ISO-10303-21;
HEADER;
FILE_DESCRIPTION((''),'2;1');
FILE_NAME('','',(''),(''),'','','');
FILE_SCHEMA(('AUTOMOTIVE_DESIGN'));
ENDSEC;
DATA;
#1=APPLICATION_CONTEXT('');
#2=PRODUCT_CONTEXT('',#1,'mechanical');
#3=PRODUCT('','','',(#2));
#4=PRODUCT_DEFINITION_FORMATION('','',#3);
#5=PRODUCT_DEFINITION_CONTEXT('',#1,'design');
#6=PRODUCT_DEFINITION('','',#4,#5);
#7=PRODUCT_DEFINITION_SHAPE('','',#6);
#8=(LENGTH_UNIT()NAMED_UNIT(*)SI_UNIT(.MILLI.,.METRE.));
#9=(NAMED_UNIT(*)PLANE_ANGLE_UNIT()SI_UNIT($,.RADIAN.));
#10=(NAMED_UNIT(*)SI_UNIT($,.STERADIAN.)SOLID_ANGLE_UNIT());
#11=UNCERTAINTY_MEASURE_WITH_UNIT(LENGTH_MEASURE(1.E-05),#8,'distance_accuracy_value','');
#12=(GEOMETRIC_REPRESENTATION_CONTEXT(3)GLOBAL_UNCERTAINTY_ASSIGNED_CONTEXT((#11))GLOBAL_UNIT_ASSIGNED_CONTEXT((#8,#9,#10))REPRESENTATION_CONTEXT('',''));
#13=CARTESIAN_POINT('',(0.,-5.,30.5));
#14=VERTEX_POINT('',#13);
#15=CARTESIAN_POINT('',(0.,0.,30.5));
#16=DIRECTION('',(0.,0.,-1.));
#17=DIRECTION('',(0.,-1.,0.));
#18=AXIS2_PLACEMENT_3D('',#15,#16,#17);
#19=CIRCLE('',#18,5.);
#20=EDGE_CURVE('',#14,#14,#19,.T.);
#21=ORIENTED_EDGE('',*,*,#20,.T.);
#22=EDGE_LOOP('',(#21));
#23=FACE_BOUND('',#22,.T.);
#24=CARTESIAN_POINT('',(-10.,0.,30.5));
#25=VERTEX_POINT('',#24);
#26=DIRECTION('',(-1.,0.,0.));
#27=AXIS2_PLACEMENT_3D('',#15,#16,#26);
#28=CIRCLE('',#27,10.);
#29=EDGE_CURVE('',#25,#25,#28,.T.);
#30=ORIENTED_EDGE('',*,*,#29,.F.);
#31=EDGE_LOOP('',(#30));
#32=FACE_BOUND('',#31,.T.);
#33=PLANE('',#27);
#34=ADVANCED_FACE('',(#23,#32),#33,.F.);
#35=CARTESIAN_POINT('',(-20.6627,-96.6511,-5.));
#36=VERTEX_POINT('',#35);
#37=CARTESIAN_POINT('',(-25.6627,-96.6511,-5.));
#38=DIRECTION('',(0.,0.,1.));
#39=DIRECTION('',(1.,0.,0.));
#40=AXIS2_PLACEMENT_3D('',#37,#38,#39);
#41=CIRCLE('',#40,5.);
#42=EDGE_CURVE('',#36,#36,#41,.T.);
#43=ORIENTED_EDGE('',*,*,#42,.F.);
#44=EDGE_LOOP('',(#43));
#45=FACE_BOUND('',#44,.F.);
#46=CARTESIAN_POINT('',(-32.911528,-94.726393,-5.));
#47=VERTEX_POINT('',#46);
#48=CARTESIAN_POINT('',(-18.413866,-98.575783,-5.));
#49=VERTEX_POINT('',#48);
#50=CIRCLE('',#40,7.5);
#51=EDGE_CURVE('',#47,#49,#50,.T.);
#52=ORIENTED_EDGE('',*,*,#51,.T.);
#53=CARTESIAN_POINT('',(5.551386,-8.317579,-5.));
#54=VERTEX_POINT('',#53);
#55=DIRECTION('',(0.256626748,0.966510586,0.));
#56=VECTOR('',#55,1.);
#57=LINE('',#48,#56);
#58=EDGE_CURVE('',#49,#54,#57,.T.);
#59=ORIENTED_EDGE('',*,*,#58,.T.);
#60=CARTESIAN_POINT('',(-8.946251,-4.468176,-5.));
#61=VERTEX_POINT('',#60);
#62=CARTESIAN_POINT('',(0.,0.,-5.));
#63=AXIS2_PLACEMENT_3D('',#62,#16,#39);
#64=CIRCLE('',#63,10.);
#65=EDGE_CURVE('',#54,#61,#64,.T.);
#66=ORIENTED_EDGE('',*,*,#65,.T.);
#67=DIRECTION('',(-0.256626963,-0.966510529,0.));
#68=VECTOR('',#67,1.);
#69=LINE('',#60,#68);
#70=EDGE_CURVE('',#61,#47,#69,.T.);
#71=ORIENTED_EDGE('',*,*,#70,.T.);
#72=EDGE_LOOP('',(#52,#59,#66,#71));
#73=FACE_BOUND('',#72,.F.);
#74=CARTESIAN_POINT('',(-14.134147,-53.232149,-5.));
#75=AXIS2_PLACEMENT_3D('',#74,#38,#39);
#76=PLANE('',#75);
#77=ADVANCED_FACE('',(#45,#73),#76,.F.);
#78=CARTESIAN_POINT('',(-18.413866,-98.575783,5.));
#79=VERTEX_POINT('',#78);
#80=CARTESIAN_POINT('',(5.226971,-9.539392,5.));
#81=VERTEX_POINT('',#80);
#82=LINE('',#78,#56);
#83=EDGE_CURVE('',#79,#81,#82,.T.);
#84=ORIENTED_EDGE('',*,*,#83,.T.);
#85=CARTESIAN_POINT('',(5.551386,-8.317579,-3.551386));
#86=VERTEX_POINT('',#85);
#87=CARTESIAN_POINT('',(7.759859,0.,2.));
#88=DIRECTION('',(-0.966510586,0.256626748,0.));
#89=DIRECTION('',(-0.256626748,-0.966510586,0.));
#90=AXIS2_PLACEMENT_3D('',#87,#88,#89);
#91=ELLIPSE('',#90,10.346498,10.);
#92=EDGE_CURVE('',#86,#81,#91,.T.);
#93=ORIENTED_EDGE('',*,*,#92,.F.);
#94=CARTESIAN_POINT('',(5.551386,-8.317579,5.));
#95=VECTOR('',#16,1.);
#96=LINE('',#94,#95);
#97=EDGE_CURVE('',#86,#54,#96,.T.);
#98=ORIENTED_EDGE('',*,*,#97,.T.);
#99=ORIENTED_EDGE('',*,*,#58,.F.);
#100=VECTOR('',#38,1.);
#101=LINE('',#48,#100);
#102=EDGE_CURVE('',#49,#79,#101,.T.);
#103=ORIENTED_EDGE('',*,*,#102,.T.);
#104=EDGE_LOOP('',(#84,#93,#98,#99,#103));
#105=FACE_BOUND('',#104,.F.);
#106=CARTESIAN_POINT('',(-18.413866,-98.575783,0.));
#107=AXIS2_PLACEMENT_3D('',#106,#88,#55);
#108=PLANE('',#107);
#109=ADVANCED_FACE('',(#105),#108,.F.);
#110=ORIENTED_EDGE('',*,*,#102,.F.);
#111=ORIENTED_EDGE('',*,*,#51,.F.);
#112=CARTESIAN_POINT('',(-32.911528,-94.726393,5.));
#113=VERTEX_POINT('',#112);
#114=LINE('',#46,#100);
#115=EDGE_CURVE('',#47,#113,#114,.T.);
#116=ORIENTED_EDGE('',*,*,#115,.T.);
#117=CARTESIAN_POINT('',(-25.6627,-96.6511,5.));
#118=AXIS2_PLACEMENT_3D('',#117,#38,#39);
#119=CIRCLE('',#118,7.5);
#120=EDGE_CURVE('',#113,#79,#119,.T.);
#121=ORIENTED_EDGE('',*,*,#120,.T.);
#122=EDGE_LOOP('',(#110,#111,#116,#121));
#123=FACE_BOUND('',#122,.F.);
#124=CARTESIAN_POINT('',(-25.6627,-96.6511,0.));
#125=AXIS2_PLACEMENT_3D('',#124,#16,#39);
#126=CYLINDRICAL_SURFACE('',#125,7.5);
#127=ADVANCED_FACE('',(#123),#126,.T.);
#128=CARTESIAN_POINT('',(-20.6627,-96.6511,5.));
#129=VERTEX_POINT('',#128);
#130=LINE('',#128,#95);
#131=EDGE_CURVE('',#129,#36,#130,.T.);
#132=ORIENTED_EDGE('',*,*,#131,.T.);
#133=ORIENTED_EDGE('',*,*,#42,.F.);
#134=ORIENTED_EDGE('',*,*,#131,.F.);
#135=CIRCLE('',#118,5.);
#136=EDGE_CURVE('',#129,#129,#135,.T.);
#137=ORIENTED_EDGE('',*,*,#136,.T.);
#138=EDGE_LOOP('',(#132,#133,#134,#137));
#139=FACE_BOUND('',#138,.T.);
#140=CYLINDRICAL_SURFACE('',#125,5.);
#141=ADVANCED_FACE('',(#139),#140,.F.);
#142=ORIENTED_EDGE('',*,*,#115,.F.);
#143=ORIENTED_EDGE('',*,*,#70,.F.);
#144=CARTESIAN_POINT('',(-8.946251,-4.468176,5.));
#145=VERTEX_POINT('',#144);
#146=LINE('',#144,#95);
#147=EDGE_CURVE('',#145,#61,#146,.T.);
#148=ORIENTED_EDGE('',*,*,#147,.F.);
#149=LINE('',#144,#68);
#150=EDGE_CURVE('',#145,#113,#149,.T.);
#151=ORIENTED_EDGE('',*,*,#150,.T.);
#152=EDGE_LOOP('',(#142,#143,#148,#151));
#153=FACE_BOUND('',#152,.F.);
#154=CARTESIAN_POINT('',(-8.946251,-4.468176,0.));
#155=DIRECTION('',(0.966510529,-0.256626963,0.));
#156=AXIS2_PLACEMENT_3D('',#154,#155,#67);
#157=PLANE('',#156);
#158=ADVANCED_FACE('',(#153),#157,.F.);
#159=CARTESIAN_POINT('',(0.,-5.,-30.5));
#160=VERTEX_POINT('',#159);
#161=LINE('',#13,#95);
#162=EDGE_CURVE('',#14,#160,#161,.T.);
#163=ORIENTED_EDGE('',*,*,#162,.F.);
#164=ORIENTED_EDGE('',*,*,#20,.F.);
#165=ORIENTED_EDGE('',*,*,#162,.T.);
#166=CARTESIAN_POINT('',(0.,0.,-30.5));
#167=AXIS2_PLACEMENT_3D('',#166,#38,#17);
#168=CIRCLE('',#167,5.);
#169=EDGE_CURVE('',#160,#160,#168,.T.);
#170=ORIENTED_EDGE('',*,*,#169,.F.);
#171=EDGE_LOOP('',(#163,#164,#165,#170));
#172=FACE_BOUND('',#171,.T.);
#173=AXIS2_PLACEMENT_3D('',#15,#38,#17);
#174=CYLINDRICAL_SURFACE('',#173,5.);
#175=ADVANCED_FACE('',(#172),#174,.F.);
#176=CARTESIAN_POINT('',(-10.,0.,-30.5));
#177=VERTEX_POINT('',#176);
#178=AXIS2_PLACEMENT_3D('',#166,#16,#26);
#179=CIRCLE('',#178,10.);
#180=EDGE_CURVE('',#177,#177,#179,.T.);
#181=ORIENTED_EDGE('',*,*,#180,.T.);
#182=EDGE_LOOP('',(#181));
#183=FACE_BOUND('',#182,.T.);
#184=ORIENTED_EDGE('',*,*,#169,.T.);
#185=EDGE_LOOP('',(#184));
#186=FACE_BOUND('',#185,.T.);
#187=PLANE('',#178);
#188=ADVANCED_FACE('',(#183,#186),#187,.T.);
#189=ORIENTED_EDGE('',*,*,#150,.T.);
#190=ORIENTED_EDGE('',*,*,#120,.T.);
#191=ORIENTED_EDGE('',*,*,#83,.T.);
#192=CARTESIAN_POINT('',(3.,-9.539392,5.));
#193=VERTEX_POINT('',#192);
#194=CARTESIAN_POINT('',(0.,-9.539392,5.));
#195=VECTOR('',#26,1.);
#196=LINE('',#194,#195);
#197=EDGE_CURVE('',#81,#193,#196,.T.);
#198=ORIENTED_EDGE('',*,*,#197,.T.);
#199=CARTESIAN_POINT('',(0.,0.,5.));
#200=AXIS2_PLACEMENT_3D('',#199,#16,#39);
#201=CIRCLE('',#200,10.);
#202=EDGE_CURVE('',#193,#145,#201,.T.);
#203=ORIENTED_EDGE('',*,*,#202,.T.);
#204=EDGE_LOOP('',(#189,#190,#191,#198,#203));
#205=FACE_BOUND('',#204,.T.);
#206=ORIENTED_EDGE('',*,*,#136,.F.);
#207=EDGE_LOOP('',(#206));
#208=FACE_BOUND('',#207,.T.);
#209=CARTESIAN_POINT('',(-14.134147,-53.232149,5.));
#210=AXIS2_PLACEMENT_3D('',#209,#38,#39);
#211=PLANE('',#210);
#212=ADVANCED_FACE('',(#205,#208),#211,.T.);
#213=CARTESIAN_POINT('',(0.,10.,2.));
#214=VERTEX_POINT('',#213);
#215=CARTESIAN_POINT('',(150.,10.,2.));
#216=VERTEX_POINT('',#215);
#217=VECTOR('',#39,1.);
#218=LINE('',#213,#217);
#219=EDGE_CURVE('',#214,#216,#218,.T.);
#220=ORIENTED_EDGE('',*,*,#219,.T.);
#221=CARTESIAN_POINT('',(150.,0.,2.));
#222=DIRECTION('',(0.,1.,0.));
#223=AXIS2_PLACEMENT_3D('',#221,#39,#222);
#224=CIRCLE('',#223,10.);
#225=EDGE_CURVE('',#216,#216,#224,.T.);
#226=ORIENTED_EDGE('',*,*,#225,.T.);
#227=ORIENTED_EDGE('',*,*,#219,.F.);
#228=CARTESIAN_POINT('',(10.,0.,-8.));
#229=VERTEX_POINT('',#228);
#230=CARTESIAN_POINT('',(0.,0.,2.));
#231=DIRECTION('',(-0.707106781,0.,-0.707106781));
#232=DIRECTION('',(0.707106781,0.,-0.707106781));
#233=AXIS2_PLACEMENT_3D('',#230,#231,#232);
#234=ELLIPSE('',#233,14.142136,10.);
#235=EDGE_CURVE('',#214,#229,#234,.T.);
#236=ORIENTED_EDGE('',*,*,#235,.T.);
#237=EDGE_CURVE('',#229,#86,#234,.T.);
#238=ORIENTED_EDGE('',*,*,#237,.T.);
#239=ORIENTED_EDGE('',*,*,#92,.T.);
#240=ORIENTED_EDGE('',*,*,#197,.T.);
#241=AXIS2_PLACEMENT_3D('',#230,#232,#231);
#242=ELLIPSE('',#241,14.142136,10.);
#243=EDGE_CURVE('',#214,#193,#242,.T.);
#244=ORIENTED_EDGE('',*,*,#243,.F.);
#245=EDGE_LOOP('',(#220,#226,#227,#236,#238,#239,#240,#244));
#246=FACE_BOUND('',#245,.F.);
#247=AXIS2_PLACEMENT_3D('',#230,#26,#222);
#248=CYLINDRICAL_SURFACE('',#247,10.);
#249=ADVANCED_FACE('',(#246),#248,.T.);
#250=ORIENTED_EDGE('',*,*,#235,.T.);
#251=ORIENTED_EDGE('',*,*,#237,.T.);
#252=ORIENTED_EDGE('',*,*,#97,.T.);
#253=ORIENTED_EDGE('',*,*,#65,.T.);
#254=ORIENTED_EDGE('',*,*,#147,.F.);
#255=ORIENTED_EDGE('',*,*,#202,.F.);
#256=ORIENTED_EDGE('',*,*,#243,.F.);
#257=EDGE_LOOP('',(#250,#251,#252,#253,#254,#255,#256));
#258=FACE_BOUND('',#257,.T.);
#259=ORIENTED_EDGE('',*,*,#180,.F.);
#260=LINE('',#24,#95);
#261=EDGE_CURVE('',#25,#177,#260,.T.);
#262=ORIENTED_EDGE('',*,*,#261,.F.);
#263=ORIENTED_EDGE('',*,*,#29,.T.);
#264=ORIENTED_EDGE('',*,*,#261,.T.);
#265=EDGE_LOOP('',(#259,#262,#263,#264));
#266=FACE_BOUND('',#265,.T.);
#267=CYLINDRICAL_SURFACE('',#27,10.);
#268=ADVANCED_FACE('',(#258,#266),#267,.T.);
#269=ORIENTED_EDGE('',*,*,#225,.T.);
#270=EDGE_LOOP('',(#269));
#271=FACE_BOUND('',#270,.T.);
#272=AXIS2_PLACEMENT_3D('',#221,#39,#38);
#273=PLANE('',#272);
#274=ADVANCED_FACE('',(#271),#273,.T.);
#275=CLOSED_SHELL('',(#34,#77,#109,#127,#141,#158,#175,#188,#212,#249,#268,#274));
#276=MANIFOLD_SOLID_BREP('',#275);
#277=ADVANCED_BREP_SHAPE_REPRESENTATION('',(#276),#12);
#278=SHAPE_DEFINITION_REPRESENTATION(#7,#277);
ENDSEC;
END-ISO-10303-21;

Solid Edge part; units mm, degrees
sketch "Sketch1" plane through (0, 0, 0) normal (0, -1, 0) x (1, 0, 0)
  line L0 (-10, -30.5) -> (0, -30.5)
  line L1 (0, 30.5) -> (0, -30.5)
  line L2 (0, 30.5) -> (-10, 30.5)
  line L3 (-10, 30.5) -> (-10, -30.5)
revolve "RevolvedProtrusion1" add sketch "Sketch1" angle 360 about axis through (0, 0, 54) along (0, 0, -1)
sketch "Sketch2" plane through (0, 0, 0) normal (1, 0, 0) x (0, 1, 0)
  circle A0 centre (0, 2) radius 10
  dimension "D1" = 32.5
extrude "Protrusion1" add sketch "Sketch2" along normal blind 150
sketch "Sketch3" plane through (0, 0, 0) normal (0, 0, 1) x (1, 0, 0)
  circle A0 centre (-25.6627, -96.6511) radius 5
  line L0 (-8.9463, -4.4682) -> (-32.9115, -94.7264)
  arc A1 (-32.9115, -94.7264) -> (-18.4138, -98.5758) centre (-25.6627, -96.6511) ccw
  line L1 (-18.4138, -98.5758) -> (5.5514, -8.3176)
  arc A2 (5.5514, -8.3176) -> (-8.9463, -4.4682) centre (0, 0) cw
  dimension "D1" = 15
  dimension "D2" = 100
extrude "Styrarm" add sketch "Sketch3" along normal mid plane 10
hole "Hole1" at (0, 0, 30.5) direction (0, 0, -1) diameter 10 end up to next
